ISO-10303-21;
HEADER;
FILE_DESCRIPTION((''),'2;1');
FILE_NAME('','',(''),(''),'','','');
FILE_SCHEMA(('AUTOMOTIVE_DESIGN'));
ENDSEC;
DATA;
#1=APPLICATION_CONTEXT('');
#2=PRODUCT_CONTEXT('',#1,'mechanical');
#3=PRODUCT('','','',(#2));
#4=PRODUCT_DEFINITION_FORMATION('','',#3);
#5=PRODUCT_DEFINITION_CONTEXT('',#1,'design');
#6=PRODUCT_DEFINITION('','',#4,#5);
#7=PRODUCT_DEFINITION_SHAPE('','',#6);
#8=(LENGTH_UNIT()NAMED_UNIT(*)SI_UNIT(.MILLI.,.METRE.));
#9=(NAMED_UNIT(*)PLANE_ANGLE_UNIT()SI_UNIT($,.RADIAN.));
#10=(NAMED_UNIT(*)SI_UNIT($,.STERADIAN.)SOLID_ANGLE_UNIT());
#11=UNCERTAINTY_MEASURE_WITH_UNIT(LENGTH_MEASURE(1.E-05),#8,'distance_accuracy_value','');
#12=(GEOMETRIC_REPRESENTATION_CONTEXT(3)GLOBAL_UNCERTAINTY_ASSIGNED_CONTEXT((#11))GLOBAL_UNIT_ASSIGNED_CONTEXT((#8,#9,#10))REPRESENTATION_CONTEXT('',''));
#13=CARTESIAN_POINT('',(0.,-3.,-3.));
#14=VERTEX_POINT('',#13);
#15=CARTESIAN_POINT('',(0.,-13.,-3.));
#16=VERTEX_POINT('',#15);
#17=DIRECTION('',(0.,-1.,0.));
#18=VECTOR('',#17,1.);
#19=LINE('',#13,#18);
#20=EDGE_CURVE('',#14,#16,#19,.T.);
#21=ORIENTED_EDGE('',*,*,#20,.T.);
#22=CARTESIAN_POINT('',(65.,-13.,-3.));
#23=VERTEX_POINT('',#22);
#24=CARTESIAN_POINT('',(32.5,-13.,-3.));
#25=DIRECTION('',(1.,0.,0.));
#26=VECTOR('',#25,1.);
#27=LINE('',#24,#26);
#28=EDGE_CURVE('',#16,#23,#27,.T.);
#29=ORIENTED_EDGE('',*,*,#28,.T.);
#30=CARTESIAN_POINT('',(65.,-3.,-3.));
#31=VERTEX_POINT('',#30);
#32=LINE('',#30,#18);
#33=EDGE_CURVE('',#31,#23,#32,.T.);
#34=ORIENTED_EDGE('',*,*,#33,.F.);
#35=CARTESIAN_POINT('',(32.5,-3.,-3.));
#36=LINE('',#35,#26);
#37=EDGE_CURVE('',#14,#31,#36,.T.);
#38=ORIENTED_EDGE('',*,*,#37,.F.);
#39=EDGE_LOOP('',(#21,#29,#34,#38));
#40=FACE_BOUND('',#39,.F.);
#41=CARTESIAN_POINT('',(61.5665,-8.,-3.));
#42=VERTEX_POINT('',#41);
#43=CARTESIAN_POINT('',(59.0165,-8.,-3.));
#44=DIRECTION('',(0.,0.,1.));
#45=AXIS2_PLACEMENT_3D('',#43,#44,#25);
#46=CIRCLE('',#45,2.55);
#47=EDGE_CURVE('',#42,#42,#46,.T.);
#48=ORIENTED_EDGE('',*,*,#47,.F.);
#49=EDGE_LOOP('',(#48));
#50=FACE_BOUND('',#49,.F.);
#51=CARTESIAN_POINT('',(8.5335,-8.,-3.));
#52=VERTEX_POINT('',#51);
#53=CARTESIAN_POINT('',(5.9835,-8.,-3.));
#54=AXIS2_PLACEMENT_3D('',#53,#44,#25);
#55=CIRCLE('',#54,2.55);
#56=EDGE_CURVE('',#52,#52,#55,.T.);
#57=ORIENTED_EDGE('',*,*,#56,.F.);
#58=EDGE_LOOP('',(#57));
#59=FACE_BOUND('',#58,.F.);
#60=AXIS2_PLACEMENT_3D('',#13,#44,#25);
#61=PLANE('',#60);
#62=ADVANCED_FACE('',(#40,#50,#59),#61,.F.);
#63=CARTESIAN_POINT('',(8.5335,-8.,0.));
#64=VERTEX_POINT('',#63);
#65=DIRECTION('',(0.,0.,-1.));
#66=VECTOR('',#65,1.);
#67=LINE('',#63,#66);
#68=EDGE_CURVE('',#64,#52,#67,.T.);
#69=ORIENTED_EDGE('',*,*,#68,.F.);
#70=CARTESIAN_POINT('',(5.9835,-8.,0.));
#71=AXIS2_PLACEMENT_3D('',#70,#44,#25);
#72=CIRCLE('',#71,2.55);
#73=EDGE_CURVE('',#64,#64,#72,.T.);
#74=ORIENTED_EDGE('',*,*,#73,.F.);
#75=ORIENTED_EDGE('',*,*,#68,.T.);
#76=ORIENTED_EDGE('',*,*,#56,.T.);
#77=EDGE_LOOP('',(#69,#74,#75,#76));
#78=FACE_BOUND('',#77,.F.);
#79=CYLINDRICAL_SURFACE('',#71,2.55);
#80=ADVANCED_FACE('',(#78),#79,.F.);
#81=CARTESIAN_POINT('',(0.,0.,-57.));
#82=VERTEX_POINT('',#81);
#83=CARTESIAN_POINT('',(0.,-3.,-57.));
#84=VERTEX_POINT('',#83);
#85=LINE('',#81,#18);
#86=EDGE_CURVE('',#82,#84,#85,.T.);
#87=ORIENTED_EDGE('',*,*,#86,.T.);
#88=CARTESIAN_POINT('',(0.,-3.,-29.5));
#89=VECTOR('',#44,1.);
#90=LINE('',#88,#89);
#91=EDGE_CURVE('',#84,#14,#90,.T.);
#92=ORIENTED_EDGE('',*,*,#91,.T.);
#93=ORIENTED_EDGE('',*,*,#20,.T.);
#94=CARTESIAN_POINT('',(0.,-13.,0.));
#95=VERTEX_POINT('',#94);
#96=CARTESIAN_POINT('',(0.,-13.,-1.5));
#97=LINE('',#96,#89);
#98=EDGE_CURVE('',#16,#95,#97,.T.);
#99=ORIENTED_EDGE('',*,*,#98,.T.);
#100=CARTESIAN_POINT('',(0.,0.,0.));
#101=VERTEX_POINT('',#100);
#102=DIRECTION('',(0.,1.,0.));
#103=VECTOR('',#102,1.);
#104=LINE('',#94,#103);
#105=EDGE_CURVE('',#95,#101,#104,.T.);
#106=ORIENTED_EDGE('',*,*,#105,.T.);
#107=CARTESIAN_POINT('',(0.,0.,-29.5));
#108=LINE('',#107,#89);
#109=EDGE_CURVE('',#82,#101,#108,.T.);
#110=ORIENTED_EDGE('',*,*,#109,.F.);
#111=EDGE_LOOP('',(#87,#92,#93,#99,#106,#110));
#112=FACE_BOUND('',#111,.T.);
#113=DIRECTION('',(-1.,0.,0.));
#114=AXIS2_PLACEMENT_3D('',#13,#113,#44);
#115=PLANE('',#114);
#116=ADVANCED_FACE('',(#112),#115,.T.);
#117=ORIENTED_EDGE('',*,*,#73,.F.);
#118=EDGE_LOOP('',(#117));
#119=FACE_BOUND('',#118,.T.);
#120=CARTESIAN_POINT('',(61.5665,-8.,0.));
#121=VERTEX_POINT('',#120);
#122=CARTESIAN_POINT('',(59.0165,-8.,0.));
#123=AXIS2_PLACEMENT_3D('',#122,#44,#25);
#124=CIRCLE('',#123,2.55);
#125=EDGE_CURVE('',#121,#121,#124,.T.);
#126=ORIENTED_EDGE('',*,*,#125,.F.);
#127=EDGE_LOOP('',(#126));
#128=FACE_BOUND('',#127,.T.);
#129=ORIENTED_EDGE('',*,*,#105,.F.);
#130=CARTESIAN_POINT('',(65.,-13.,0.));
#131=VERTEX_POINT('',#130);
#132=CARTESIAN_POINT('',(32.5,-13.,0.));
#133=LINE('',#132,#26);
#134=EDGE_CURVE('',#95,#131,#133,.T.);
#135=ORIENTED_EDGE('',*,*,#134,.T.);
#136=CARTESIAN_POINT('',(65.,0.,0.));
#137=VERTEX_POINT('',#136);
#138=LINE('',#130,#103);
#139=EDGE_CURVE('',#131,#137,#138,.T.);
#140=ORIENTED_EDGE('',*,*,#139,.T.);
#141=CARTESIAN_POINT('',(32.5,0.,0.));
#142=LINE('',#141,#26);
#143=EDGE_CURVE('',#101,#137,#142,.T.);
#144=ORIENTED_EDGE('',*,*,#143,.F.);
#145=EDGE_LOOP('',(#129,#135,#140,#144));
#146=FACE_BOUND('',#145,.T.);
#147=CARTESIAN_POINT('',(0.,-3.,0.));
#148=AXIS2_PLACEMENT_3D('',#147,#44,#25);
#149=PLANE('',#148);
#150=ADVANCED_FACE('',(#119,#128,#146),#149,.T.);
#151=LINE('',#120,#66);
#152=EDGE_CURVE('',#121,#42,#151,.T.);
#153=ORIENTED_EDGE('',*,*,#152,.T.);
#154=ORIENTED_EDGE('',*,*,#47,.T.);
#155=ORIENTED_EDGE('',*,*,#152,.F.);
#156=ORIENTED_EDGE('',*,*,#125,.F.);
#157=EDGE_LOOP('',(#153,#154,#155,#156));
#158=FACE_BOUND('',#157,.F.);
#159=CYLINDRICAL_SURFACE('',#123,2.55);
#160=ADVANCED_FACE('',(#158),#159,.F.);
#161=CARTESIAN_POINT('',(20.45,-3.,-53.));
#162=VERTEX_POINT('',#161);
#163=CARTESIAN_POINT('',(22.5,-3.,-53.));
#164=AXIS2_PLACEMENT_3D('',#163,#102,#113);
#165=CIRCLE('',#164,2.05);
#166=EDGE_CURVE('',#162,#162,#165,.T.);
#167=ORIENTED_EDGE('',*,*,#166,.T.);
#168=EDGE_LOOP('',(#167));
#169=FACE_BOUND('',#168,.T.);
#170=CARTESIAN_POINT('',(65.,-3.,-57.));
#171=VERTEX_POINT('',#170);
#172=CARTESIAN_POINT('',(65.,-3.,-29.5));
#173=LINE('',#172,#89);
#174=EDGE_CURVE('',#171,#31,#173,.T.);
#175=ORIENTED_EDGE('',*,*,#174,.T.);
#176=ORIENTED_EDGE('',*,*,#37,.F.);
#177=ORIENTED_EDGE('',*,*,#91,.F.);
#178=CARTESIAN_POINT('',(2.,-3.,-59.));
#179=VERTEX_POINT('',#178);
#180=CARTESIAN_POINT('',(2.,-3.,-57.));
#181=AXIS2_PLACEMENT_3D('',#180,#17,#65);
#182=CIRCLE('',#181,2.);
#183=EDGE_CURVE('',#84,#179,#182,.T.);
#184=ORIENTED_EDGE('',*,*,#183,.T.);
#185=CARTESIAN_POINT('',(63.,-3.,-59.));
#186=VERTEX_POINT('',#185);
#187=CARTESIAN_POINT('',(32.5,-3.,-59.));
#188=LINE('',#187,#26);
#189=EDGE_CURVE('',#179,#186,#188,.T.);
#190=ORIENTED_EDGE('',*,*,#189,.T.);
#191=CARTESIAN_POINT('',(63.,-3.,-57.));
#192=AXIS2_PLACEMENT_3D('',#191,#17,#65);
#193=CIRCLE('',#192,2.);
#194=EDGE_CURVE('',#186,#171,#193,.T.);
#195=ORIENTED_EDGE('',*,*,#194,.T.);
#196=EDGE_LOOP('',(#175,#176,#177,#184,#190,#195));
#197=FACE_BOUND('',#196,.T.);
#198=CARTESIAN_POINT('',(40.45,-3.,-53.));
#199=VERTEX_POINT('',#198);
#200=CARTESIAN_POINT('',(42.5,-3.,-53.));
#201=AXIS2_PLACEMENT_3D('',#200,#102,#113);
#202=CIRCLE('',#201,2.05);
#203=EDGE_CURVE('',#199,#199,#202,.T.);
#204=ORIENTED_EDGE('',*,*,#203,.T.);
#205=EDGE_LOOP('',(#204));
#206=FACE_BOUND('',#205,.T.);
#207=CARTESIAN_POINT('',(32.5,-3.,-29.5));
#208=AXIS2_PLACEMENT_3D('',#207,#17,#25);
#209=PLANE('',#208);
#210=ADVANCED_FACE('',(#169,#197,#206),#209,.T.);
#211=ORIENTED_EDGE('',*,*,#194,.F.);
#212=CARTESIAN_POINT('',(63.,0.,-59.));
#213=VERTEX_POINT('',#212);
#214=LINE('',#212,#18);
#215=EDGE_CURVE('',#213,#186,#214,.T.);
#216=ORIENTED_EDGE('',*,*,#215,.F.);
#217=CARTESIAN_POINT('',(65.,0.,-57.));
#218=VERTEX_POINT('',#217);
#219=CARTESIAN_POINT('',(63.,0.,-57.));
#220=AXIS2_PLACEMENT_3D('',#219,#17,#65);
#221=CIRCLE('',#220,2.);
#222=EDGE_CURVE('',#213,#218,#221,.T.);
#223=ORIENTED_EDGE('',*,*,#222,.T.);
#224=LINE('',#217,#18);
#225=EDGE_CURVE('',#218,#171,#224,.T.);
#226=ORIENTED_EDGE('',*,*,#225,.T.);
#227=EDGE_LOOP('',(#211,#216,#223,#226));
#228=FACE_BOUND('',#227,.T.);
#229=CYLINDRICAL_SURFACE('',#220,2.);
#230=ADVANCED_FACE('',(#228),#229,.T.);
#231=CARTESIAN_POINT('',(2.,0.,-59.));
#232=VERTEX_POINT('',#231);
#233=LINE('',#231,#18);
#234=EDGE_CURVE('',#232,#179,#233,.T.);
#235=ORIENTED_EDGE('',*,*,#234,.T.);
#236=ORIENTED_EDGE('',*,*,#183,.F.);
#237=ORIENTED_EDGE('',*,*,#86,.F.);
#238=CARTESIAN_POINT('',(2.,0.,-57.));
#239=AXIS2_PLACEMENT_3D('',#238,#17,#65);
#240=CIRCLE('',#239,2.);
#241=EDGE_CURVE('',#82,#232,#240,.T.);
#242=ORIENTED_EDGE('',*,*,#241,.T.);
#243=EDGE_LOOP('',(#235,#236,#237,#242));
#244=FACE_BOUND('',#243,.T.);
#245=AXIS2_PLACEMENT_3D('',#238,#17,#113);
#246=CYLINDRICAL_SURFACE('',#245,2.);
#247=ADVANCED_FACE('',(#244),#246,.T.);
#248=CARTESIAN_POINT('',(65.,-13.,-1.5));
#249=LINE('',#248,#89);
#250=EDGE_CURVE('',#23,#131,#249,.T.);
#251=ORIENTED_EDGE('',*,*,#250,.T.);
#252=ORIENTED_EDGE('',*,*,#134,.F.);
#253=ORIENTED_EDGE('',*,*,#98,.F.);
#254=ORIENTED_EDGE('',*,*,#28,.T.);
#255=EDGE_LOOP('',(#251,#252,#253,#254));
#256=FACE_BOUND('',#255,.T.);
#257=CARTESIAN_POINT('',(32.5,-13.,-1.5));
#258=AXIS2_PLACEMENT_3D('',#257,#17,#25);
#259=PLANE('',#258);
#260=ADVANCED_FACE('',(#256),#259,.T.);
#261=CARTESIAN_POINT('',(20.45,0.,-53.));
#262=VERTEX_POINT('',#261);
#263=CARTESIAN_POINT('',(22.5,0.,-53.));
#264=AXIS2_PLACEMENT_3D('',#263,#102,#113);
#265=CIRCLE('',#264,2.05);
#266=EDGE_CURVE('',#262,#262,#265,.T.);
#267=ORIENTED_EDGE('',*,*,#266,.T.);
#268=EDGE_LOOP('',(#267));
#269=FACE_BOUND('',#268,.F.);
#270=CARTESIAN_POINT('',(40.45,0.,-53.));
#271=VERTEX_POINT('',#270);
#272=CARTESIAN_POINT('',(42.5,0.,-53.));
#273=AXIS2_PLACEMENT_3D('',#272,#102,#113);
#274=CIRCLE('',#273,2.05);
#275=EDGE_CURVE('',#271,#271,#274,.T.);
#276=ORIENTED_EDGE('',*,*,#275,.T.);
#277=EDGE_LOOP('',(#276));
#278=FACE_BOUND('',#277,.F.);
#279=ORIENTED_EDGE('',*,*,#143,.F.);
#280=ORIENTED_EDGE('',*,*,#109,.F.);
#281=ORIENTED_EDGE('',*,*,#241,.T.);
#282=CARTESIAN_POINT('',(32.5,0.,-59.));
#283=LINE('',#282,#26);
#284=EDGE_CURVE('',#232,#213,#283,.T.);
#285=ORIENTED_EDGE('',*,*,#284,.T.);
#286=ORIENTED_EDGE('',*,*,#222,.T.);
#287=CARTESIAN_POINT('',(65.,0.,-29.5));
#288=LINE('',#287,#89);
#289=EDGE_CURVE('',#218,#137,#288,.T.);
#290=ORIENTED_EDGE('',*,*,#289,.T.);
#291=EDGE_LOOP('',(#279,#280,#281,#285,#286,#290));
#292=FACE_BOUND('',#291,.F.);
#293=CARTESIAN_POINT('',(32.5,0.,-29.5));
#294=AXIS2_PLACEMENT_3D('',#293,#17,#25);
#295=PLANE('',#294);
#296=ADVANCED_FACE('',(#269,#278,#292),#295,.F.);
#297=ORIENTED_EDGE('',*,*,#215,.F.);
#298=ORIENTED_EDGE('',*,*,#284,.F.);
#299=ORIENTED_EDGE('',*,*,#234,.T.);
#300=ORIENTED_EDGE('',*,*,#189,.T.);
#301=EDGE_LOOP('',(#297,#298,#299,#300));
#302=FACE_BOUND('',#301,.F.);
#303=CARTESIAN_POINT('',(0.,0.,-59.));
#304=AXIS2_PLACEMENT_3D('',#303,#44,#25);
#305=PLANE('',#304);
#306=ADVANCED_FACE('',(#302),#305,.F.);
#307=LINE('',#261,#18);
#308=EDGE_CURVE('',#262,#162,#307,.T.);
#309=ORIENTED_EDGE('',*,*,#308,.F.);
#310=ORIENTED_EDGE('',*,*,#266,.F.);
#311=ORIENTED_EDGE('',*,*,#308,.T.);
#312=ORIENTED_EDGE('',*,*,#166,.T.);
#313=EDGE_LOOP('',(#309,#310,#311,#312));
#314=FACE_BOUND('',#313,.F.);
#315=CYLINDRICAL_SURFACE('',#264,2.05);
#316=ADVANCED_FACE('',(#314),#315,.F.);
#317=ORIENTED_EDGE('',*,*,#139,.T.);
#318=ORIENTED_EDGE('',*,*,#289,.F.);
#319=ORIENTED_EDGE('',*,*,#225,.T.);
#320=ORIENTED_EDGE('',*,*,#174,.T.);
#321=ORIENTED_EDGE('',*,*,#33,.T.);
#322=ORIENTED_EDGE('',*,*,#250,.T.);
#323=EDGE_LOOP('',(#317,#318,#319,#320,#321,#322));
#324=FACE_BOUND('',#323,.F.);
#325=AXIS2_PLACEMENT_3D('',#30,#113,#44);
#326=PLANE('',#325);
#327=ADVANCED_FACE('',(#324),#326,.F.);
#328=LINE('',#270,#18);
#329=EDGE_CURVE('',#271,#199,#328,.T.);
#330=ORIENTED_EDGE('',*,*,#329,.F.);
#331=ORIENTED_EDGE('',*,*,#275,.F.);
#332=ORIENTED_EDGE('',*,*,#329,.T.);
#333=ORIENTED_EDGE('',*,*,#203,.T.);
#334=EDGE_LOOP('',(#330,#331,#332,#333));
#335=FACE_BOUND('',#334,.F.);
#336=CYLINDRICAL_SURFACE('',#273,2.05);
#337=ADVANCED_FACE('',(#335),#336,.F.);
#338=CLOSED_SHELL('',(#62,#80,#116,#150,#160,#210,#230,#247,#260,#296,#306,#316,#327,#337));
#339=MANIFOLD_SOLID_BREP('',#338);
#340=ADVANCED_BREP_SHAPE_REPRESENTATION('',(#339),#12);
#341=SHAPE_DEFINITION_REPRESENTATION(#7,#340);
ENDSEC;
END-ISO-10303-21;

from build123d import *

# Parameters (mm, degrees)
F0_W     = 65
F0_H     = 59
F1_DEPTH = 3
F2_W     = 65
F2_H     = 3
F3_DEPTH = 10
F4_R     = 2.55
F5_DEPTH = 25
F6_R     = 2.05
F7_DEPTH = 25
F8_R     = 2


with BuildPart() as f1:
    # F0 (on Front) → F1 (new body)
    with BuildSketch(Plane.XZ):
        with Locations((32.5, -29.5)):
            Rectangle(F0_W, F0_H)
    extrude(amount=F1_DEPTH)

    # F2 (on face) → F3 (join)
    with BuildSketch(Plane.XZ.offset(3)):
        with Locations((32.5, -1.5)):
            Rectangle(F2_W, F2_H)
    extrude(amount=F3_DEPTH)

    # F4 (on face) → F5 (cut)
    with BuildSketch(Plane.XY):
        with Locations((59.0165, -8)):
            Circle(F4_R)
        with Locations((5.9835, -8)):
            Circle(F4_R)
    extrude(amount=-F5_DEPTH, mode=Mode.SUBTRACT)

    # F6 (on face) → F7 (cut)
    with BuildSketch(Plane(origin=(0, 0, 0), x_dir=(-1, 0, 0), z_dir=(0, 1, 0))):
        with Locations((-42.5, -53)):
            Circle(F6_R)
        with Locations((-22.5, -53)):
            Circle(F6_R)
    extrude(amount=-F7_DEPTH, mode=Mode.SUBTRACT)

    # F8
    f8_edges = [f1.edges().sort_by_distance(p)[0] for p in [
        (65, -1.5, -59),
        (0, -1.5, -59),
    ]]
    fillet(f8_edges, radius=F8_R)


solid = f1.part
